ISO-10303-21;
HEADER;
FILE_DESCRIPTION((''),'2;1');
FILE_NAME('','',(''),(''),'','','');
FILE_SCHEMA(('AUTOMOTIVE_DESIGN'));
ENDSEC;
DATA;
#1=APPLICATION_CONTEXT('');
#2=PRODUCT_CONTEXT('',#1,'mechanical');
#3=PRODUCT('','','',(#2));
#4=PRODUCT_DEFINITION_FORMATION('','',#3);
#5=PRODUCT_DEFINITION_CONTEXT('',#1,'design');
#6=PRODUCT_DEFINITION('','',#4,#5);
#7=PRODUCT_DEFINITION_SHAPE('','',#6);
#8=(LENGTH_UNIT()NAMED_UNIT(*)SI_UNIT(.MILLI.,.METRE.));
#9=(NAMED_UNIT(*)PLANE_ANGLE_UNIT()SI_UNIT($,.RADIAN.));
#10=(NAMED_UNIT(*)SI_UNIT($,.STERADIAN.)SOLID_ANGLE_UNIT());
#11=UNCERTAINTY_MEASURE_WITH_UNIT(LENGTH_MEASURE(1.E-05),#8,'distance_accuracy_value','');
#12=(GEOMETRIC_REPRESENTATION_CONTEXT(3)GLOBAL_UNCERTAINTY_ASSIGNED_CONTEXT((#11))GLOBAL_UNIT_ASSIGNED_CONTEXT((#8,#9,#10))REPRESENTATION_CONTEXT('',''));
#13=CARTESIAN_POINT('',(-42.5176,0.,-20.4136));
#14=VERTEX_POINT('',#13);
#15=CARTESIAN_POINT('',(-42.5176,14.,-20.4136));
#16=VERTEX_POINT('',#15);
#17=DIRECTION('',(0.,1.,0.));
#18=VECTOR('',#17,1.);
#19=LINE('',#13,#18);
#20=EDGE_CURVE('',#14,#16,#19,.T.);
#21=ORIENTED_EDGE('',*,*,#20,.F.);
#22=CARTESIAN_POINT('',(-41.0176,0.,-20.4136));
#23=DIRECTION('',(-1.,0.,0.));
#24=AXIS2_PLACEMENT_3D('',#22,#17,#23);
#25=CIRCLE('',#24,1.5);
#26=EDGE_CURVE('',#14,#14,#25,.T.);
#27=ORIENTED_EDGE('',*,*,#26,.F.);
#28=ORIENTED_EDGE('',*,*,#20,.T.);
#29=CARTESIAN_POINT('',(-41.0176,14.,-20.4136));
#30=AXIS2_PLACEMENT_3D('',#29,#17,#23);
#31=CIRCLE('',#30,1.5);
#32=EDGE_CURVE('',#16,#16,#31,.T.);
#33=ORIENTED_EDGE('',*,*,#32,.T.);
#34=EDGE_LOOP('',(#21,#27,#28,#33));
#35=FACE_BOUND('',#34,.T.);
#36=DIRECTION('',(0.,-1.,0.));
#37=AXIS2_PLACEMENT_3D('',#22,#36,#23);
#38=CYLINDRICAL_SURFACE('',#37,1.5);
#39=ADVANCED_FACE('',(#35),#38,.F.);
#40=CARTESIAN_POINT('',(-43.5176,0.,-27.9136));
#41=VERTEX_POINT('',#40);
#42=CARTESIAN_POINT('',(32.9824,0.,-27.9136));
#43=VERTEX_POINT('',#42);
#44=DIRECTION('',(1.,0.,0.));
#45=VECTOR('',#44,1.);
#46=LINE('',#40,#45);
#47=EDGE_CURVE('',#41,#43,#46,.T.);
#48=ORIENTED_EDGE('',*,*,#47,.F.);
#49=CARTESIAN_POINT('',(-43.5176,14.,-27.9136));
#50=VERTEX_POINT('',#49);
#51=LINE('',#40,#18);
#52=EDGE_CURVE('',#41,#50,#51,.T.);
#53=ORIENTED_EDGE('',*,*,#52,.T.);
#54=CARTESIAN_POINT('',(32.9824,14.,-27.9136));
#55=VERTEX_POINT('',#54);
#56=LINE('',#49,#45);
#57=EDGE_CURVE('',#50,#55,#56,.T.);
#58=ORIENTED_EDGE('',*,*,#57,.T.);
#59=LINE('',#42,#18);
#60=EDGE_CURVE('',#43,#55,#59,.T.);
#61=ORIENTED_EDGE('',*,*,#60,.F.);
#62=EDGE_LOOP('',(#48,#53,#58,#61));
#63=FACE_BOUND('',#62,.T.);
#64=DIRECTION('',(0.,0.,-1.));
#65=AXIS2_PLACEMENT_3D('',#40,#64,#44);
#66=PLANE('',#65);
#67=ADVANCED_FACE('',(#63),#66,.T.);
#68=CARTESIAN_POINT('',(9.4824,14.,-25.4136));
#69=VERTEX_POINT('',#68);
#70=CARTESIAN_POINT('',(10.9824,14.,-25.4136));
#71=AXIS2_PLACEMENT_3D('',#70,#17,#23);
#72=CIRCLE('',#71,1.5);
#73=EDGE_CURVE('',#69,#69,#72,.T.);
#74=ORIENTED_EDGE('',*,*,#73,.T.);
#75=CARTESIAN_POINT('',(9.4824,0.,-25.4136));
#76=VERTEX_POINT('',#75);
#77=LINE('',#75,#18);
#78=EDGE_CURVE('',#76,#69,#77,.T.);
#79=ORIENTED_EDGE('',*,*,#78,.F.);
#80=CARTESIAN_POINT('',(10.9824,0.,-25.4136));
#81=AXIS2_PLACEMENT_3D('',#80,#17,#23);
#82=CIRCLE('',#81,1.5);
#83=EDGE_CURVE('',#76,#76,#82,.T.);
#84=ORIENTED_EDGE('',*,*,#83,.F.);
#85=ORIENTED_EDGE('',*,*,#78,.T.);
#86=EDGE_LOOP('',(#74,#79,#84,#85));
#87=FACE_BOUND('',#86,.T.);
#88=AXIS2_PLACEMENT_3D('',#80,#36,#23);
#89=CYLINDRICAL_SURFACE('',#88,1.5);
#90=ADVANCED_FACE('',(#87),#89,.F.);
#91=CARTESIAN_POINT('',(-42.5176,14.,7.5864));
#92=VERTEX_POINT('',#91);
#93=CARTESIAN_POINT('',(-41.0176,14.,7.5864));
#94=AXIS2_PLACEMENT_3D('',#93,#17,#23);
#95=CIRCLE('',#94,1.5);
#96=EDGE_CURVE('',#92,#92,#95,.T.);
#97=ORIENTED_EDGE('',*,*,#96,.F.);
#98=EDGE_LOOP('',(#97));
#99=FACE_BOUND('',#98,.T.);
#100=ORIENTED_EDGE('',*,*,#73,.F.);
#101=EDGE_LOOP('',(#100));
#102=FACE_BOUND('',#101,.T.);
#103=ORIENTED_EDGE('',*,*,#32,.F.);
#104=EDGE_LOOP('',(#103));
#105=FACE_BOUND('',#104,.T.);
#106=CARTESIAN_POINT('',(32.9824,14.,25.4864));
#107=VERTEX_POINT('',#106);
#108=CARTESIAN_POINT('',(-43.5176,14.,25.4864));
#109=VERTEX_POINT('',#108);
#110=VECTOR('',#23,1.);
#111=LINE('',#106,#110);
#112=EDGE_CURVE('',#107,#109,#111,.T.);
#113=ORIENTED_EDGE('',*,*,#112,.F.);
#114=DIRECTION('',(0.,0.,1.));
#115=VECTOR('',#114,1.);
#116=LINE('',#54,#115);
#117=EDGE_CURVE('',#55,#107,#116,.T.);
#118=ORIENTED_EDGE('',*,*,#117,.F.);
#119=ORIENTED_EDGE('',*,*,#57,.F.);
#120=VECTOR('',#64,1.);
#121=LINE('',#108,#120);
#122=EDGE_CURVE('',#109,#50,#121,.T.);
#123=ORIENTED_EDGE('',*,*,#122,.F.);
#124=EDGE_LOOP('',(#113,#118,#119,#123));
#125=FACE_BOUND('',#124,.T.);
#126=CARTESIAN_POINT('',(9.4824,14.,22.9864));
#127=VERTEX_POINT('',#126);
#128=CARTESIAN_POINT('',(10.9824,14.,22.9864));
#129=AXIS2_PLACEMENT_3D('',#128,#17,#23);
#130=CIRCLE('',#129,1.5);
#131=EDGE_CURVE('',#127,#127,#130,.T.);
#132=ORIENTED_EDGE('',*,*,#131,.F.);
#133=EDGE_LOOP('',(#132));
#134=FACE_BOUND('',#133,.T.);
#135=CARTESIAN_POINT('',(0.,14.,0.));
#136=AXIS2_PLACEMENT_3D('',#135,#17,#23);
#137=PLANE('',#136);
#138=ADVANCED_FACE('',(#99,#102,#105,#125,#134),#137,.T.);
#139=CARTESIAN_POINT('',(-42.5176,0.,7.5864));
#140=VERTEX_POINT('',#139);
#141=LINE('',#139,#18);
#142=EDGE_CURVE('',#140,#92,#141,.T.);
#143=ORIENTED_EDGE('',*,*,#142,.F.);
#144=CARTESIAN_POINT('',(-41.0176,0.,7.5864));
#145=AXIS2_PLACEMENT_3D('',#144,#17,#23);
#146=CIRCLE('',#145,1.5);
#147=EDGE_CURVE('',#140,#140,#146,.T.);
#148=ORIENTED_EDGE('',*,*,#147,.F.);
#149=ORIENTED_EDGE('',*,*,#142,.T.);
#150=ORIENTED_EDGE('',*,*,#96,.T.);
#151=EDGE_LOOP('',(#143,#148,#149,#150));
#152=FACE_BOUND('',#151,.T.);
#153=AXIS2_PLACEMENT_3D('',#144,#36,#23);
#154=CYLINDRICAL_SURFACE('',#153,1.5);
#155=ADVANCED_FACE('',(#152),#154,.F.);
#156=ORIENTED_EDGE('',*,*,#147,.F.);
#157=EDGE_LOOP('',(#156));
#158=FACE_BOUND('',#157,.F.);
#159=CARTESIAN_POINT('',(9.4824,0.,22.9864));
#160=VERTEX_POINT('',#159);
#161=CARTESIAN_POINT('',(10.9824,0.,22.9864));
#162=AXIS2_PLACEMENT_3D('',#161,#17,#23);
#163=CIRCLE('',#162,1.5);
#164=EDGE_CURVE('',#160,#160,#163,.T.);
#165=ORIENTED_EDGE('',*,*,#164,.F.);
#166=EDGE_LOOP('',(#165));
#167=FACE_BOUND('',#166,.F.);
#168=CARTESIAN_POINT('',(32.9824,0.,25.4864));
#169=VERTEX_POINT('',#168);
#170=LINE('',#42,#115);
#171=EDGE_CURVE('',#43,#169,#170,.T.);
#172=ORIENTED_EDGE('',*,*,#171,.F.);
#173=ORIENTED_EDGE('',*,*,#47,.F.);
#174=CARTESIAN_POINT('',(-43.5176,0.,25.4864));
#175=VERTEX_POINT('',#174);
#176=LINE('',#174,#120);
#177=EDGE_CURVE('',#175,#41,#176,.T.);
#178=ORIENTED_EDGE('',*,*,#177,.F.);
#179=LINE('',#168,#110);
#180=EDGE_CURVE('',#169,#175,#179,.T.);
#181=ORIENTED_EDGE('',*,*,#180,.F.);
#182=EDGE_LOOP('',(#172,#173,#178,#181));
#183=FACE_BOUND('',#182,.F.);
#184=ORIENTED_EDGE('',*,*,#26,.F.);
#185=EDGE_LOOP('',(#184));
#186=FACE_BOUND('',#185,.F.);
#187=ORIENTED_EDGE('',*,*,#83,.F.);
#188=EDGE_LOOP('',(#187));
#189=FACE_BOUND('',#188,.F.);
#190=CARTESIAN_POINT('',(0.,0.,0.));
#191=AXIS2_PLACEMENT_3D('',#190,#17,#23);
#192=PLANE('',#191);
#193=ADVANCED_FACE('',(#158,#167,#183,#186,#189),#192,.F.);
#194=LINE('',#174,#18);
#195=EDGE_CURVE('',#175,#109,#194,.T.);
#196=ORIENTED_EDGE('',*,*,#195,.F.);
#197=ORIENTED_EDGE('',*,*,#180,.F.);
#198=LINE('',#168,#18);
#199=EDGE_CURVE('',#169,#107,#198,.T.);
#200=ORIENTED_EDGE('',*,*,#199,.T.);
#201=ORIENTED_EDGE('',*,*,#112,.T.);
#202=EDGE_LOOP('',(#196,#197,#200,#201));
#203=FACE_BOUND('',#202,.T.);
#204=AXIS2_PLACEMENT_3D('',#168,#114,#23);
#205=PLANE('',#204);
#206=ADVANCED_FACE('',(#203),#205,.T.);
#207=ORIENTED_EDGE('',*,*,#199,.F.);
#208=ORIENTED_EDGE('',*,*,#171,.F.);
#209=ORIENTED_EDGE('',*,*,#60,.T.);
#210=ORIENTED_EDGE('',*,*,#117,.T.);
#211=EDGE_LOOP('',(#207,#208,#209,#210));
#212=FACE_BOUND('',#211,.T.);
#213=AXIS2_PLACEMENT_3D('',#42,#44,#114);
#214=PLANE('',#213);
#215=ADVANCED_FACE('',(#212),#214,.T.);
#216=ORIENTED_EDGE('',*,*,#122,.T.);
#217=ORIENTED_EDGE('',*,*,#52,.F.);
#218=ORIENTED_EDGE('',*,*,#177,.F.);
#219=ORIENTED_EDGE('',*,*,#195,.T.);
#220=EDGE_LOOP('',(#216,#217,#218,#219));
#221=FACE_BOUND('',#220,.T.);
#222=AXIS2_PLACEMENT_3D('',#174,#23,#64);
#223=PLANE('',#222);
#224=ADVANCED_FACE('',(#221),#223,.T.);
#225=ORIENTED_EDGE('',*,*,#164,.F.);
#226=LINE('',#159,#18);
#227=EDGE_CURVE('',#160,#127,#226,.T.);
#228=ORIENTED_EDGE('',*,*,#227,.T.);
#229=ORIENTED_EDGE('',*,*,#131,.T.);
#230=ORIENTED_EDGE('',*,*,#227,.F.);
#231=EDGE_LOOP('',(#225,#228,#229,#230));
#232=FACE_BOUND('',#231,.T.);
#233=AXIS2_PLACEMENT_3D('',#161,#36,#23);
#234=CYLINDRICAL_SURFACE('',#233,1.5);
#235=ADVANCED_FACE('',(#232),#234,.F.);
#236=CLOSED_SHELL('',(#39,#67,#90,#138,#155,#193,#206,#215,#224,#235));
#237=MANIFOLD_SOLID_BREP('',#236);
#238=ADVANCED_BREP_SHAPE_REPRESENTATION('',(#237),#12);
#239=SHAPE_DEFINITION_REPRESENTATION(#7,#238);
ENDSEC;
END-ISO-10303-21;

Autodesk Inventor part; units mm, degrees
ref_plane "YZ Plane" through (0, 0, 0) normal (1, 0, 0) x (0, 1, 0)
ref_plane "XZ Plane" through (0, 0, 0) normal (0, 1, 0) x (-1, 0, 0)
ref_plane "XY Plane" through (0, 0, 0) normal (0, 0, 1) x (1, 0, 0)
sketch "Sketch1" plane through (0, 0, 0) normal (0, 1, 0) x (-1, 0, 0)
  line L0 (-32.9824, 25.4864) -> (43.5176, 25.4864)
  line L1 (43.5176, 25.4864) -> (43.5176, -27.9136)
  line L2 (43.5176, -27.9136) -> (-32.9824, -27.9136)
  line L3 (-32.9824, -27.9136) -> (-32.9824, 25.4864)
  circle A0 centre (41.0176, -20.4136) radius 1.5
  circle A1 centre (41.0176, 7.5864) radius 1.5
  circle A2 centre (-10.9824, 22.9864) radius 1.5
  circle A3 centre (-10.9824, -25.4136) radius 1.5
  point P0 (0, 0)
  dimension "d0" = 53.4
  dimension "d2" = 76.5
  dimension "d3" = 3
  dimension "d4" = 3
  dimension "d5" = 3
  dimension "d6" = 3
  dimension "d7" = 2.5
  dimension "d8" = 7.5
  dimension "d9" = 28
  dimension "d10" = 2.5
  dimension "d11" = 52
  dimension "d12" = 2.5
  dimension "d13" = 52
  dimension "d16" = 2.5
extrude "Extrusion1" add sketch "Sketch1" along normal blind 14
